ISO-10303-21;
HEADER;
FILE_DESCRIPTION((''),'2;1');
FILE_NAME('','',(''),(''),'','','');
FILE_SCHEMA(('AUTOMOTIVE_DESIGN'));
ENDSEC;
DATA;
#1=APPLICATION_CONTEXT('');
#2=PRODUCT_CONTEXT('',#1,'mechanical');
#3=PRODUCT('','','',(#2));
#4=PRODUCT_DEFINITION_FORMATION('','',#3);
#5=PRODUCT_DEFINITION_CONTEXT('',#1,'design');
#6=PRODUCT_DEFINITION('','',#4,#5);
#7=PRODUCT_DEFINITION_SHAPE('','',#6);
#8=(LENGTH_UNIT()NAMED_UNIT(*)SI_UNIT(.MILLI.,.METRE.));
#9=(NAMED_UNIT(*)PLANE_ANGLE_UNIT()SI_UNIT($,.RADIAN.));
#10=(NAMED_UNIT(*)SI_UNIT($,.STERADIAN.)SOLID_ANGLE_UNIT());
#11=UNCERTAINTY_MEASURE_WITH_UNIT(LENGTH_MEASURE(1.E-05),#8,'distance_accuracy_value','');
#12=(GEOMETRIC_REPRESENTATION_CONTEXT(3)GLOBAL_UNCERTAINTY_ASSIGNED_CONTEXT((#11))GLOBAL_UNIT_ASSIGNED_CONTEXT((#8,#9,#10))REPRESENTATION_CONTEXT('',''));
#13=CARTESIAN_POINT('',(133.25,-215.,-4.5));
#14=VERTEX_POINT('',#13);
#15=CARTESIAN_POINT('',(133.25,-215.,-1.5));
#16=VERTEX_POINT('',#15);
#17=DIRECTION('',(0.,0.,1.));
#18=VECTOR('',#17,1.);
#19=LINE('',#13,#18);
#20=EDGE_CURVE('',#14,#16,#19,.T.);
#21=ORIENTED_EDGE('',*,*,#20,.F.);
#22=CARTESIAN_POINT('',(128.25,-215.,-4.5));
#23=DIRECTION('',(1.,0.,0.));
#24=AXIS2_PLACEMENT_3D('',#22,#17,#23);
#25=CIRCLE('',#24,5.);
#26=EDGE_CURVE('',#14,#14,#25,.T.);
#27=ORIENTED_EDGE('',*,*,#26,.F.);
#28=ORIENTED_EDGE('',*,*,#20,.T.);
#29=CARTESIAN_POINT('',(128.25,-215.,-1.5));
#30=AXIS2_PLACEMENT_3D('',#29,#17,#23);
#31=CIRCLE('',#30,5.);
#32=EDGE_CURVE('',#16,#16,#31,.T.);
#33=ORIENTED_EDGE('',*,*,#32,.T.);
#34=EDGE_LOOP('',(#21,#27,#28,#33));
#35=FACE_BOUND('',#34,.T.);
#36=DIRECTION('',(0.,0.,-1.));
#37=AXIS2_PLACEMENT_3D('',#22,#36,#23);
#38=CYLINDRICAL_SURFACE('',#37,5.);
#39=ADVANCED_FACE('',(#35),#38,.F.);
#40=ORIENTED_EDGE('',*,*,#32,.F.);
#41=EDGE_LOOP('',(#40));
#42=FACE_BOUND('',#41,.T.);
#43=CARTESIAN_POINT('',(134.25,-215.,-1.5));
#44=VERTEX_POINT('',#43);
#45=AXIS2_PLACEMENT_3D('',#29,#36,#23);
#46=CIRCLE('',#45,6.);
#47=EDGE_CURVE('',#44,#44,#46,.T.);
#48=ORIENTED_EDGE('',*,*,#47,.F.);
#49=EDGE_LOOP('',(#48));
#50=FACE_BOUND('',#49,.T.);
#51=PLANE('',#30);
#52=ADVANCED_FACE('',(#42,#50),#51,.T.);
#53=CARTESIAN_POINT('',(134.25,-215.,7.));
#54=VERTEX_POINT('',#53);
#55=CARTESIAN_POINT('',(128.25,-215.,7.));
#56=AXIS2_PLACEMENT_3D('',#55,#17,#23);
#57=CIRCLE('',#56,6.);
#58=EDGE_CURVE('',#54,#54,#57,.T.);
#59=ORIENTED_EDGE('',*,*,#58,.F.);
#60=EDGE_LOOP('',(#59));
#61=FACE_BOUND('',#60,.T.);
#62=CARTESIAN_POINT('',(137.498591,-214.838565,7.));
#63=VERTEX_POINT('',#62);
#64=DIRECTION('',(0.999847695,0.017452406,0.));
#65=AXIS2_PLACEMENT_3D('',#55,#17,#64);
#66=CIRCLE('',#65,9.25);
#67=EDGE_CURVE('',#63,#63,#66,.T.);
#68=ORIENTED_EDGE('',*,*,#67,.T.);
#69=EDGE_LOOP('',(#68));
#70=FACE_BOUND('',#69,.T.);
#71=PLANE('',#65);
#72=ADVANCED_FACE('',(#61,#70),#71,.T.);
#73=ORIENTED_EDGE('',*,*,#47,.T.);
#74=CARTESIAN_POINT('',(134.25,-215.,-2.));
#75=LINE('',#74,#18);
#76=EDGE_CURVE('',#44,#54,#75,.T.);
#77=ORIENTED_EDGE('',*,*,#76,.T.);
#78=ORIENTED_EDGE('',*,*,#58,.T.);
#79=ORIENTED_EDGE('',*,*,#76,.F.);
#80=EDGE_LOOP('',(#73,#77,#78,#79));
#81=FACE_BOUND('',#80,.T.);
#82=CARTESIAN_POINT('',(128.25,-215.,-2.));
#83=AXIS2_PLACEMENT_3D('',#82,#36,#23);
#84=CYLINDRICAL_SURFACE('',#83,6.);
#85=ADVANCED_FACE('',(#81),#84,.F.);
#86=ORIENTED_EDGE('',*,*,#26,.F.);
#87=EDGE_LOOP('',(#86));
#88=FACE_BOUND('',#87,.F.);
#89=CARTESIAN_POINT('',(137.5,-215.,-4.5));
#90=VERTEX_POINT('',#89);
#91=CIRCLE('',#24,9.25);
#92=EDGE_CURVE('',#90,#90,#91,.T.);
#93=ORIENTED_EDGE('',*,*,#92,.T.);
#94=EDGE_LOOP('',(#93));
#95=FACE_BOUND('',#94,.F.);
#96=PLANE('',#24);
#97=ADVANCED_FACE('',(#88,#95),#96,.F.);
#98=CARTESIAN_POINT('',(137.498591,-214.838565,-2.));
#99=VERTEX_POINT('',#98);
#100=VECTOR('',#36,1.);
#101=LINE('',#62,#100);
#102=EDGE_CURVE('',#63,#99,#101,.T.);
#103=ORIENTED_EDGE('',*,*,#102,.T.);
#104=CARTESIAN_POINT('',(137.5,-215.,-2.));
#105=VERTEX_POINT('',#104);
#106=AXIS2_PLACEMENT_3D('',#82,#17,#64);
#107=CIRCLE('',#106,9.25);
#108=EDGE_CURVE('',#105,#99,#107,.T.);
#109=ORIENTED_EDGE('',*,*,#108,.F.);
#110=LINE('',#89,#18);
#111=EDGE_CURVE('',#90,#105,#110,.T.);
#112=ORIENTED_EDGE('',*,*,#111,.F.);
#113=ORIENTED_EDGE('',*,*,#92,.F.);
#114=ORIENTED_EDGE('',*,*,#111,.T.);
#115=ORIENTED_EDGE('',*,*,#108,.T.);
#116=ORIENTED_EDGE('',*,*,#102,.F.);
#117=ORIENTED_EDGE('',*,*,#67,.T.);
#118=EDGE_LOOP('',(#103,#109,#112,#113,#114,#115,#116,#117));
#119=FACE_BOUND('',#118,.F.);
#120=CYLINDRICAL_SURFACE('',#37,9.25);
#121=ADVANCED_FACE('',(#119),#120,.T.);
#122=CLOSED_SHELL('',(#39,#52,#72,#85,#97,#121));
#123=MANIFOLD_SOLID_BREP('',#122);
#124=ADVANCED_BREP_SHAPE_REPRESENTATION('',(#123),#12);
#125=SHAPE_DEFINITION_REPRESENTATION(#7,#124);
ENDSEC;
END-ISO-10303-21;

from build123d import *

# Parameters (mm, degrees)
CYLINDER031_R               = 5
CYLINDER031_DEPTH           = 3
CYLINDER028_R               = 9.25
CYLINDER028_DEPTH           = 3
CYLINDER029_R               = 6
CYLINDER029_DEPTH           = 9
CYLINDER030_R               = 9.25
CYLINDER030_DEPTH           = 9
CYLINDER030_PLACEMENT_ANGLE = 1


with BuildPart() as smallplughole:
    # Cylinder031 → Cylinder031 (new body)
    with BuildSketch(Plane.XY):
        Circle(CYLINDER031_R)
    extrude(amount=CYLINDER031_DEPTH)


with BuildPart() as smallplugbas:
    # Cylinder028 → Cylinder028 (new body)
    with BuildSketch(Plane.XY):
        Circle(CYLINDER028_R)
    extrude(amount=CYLINDER028_DEPTH)

    # Cut011: cut SmallPlugHole
    add(smallplughole.part, mode=Mode.SUBTRACT)


with BuildPart() as smallplugwallhole:
    # Cylinder029 → Cylinder029 (new body)
    with BuildSketch(Plane.XY.offset(2.5)):
        Circle(CYLINDER029_R)
    extrude(amount=CYLINDER029_DEPTH)


with BuildPart() as chipset_in_adapter:
    # Cylinder030 → Cylinder030 (new body)
    with BuildSketch(Plane.XY):
        Circle(CYLINDER030_R)
    extrude(amount=CYLINDER030_DEPTH)


with BuildPart() as chipset_in_adapter_1:
    # Cylinder030 placement: moved
    add(chipset_in_adapter.part.moved(Location((0, 0, 2.5))).rotate(Axis((0, 0, 2.5), (0, 0, 1)), CYLINDER030_PLACEMENT_ANGLE))

    # Cut010: cut SmallPlugWallHole
    add(smallplugwallhole.part, mode=Mode.SUBTRACT)

    # Fusion024: union SmallPlugBas
    add(smallplugbas.part)


with BuildPart() as chipset_in_adapter_2:
    # Fusion024 placement: moved
    add(chipset_in_adapter_1.part.moved(Location((128.25, -215, -4.5))))


solid = chipset_in_adapter_2.part
